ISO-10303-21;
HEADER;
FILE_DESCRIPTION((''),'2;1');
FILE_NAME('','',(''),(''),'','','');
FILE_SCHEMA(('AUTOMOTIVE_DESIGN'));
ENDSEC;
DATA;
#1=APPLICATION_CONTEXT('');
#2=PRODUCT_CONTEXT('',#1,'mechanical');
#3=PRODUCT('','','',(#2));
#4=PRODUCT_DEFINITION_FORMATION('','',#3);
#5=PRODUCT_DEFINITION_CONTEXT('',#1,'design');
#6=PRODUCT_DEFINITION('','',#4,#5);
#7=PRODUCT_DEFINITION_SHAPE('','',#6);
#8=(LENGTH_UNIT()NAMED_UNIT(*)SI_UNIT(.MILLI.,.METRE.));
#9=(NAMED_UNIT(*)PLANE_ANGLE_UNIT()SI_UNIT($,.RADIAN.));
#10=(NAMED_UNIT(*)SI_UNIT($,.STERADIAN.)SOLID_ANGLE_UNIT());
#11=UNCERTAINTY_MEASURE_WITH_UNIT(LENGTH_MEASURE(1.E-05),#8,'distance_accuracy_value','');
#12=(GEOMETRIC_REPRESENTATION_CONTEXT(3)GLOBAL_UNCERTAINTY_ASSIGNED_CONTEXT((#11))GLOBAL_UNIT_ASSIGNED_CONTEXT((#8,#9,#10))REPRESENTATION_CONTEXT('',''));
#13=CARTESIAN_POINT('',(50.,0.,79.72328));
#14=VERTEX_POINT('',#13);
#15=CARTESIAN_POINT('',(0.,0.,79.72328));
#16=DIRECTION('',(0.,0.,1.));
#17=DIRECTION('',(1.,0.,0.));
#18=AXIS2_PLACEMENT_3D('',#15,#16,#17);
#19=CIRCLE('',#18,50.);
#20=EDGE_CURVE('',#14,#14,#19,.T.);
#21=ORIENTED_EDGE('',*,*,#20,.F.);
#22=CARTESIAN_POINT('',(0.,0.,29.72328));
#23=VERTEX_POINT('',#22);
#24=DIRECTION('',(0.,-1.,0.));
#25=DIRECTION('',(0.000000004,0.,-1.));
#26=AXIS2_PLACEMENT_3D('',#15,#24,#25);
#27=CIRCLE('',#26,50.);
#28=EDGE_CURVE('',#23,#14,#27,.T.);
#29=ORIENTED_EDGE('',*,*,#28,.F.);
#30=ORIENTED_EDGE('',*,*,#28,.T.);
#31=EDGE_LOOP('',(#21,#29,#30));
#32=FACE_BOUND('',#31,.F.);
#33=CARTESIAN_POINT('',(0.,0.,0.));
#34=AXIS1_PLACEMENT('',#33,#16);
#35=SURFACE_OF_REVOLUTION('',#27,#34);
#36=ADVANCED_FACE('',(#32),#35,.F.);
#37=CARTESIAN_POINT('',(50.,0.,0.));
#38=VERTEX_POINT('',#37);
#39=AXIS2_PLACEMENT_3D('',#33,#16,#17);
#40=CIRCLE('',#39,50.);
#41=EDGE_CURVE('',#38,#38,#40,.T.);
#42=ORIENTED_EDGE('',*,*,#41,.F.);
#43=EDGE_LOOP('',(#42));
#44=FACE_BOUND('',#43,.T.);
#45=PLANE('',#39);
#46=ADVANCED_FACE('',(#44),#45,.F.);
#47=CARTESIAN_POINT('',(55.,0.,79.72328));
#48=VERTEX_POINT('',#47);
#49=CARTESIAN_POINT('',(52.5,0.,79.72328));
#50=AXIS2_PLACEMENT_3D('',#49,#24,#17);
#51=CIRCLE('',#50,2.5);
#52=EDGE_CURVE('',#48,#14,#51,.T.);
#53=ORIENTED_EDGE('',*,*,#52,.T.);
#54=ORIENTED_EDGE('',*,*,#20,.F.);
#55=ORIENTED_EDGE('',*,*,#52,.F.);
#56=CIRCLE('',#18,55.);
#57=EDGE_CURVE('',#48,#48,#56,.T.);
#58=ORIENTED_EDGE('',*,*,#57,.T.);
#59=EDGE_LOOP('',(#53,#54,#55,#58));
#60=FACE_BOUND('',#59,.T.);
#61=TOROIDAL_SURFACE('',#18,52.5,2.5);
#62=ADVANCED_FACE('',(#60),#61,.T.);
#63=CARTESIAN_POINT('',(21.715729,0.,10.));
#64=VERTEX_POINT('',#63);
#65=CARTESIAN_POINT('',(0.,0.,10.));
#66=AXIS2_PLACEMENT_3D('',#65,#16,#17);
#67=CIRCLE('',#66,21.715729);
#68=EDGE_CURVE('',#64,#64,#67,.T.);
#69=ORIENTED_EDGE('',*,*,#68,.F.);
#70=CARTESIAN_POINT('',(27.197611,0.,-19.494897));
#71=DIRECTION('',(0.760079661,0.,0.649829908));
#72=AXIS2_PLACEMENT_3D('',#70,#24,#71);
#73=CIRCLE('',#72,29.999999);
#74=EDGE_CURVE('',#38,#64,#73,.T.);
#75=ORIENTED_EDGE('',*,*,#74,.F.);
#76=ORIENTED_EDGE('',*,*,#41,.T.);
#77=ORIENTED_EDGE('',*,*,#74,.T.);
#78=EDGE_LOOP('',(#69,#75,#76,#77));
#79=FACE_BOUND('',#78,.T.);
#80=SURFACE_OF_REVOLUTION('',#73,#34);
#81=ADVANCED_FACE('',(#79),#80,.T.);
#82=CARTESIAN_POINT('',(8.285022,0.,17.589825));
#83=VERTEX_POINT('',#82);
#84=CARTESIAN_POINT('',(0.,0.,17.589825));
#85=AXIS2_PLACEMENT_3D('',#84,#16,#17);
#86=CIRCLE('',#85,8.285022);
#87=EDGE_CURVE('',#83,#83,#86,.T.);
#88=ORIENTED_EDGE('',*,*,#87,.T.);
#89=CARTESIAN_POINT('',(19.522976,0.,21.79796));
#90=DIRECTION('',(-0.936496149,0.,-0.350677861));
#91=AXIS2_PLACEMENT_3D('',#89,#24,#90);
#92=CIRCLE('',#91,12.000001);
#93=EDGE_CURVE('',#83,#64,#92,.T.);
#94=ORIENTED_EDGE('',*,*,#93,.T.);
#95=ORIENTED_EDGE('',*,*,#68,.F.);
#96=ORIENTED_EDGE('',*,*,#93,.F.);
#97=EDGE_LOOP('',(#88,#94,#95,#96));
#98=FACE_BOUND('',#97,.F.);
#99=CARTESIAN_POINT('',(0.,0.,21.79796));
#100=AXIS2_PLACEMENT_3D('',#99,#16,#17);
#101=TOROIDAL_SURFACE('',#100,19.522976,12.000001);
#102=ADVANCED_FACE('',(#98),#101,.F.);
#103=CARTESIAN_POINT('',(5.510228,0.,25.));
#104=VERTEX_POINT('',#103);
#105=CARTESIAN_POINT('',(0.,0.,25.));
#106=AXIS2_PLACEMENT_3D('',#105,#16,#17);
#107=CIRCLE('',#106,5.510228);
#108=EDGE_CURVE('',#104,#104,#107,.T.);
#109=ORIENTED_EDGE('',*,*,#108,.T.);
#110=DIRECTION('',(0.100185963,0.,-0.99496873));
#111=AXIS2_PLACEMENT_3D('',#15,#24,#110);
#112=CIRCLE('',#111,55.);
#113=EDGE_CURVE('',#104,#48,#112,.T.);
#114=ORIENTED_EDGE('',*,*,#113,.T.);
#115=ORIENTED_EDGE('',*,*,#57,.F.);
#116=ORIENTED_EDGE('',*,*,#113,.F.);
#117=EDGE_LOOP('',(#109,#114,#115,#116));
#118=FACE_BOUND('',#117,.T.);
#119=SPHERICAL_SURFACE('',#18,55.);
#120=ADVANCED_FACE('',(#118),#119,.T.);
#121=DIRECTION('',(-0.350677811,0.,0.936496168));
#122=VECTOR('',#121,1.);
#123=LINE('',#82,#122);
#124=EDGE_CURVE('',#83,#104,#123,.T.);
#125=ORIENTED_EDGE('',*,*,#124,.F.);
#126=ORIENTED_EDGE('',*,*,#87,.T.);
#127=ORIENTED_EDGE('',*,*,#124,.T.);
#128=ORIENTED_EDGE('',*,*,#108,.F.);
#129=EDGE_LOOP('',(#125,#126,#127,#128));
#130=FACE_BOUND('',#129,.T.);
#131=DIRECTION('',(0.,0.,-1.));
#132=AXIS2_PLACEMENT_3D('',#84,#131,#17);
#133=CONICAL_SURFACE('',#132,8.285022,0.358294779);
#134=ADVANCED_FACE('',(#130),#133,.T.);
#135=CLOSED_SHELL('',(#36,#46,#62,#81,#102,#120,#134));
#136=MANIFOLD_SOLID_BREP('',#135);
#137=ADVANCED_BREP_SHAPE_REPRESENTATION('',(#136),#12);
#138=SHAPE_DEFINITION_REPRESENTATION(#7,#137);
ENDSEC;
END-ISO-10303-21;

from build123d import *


with BuildPart() as part:
    # Sketch → Revolution (revolve)
    with BuildSketch(Plane.XZ):
        with BuildLine():
            Line((0, 0), (50, 0))
            ThreePointArc((50, 0), (37.19761, 8.789374), (21.715729, 10))
            ThreePointArc((8.285022, 17.589825), (13.61914, 11.350724), (21.715729, 10))
            Line((8.285022, 17.589825), (5.510228, 25))
            ThreePointArc((5.510228, 25), (40.792539, 42.83197), (55, 79.72328))
            ThreePointArc((55, 79.72328), (52.5, 82.22328), (50, 79.72328))
            ThreePointArc((0, 29.72328), (35.355339, 44.367941), (50, 79.72328))
            Line((0, 0), (0, 29.72328))
        make_face()
    revolve(axis=Axis((0, 0, 0), (0, 0, 1)))


solid = part.part
